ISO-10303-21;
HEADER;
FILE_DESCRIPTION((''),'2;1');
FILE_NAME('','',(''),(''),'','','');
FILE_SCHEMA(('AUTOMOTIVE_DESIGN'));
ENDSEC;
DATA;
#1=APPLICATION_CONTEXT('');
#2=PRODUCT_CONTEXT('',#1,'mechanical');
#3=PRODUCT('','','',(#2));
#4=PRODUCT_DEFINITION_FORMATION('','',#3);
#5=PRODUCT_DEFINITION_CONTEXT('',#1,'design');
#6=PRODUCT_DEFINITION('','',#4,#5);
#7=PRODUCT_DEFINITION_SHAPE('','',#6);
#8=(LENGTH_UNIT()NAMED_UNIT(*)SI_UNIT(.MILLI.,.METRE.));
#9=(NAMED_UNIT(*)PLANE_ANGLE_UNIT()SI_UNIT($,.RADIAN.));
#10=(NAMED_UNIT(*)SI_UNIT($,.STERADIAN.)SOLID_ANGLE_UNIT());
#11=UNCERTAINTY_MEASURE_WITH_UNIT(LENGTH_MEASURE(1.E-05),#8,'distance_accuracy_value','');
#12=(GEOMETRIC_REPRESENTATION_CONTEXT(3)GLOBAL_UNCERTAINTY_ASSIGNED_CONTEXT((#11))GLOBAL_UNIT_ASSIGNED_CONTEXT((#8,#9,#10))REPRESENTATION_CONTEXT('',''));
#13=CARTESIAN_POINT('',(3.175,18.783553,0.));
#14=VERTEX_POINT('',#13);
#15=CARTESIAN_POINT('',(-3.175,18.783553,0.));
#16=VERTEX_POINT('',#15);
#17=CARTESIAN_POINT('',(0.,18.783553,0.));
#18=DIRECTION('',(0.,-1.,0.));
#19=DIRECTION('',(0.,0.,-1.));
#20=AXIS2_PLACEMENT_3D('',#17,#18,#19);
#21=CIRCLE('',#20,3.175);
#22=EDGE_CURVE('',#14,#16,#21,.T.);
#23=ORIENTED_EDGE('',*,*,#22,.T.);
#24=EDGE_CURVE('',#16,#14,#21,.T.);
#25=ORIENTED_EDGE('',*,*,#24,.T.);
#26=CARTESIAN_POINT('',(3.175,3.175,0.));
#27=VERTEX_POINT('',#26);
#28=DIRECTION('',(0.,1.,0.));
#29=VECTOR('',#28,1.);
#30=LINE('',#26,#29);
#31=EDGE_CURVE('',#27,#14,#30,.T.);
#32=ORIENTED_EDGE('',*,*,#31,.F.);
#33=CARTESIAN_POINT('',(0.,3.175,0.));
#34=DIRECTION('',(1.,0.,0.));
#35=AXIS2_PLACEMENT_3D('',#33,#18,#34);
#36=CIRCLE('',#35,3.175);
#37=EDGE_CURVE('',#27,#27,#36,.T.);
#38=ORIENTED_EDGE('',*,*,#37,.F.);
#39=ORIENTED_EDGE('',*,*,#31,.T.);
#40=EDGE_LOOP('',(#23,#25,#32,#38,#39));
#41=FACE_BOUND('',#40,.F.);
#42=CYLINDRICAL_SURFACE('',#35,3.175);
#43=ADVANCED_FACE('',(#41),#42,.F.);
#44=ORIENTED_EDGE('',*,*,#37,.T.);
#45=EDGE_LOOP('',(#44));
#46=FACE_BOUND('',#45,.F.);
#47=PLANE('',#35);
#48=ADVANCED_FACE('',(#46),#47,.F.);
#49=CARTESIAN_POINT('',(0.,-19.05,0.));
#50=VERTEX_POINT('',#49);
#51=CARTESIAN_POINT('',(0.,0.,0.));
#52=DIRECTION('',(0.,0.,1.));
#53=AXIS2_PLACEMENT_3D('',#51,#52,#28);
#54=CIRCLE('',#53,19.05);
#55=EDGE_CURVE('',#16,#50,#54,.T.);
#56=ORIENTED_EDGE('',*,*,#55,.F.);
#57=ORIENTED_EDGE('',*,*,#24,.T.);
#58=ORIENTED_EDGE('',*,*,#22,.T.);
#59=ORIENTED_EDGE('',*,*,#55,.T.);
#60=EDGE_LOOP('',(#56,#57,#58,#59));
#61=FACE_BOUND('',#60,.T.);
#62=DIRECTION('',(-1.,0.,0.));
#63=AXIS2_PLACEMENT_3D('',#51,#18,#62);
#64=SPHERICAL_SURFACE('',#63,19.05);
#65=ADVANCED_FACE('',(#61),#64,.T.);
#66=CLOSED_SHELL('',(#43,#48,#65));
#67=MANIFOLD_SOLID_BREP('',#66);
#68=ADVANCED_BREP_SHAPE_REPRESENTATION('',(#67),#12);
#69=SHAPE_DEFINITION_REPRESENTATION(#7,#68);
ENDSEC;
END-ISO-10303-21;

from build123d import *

# Parameters (mm, degrees)
F4_R     = 3.175
F5_DEPTH = 76.2


with BuildPart() as f2:
    # F1 (on Top) → F2 (revolve)
    with BuildSketch(Plane.XY):
        with BuildLine():
            Line((0, -19.05), (0, 19.05))
            ThreePointArc((0, 19.05), (-19.05, 0), (0, -19.05))
        make_face()
    revolve(axis=Axis((0, 0, 0), (0, -1, 0)))


with BuildPart() as f5:
    # F4 (on offset) → F5 (new body)
    with BuildSketch(Plane.XZ.offset(-3.175)):
        Circle(F4_R)
    extrude(amount=-F5_DEPTH)


with BuildPart() as f2_1:
    add(f2.part)

    # F6: cut F5
    add(f5.part, mode=Mode.SUBTRACT)


solid = f2_1.part
